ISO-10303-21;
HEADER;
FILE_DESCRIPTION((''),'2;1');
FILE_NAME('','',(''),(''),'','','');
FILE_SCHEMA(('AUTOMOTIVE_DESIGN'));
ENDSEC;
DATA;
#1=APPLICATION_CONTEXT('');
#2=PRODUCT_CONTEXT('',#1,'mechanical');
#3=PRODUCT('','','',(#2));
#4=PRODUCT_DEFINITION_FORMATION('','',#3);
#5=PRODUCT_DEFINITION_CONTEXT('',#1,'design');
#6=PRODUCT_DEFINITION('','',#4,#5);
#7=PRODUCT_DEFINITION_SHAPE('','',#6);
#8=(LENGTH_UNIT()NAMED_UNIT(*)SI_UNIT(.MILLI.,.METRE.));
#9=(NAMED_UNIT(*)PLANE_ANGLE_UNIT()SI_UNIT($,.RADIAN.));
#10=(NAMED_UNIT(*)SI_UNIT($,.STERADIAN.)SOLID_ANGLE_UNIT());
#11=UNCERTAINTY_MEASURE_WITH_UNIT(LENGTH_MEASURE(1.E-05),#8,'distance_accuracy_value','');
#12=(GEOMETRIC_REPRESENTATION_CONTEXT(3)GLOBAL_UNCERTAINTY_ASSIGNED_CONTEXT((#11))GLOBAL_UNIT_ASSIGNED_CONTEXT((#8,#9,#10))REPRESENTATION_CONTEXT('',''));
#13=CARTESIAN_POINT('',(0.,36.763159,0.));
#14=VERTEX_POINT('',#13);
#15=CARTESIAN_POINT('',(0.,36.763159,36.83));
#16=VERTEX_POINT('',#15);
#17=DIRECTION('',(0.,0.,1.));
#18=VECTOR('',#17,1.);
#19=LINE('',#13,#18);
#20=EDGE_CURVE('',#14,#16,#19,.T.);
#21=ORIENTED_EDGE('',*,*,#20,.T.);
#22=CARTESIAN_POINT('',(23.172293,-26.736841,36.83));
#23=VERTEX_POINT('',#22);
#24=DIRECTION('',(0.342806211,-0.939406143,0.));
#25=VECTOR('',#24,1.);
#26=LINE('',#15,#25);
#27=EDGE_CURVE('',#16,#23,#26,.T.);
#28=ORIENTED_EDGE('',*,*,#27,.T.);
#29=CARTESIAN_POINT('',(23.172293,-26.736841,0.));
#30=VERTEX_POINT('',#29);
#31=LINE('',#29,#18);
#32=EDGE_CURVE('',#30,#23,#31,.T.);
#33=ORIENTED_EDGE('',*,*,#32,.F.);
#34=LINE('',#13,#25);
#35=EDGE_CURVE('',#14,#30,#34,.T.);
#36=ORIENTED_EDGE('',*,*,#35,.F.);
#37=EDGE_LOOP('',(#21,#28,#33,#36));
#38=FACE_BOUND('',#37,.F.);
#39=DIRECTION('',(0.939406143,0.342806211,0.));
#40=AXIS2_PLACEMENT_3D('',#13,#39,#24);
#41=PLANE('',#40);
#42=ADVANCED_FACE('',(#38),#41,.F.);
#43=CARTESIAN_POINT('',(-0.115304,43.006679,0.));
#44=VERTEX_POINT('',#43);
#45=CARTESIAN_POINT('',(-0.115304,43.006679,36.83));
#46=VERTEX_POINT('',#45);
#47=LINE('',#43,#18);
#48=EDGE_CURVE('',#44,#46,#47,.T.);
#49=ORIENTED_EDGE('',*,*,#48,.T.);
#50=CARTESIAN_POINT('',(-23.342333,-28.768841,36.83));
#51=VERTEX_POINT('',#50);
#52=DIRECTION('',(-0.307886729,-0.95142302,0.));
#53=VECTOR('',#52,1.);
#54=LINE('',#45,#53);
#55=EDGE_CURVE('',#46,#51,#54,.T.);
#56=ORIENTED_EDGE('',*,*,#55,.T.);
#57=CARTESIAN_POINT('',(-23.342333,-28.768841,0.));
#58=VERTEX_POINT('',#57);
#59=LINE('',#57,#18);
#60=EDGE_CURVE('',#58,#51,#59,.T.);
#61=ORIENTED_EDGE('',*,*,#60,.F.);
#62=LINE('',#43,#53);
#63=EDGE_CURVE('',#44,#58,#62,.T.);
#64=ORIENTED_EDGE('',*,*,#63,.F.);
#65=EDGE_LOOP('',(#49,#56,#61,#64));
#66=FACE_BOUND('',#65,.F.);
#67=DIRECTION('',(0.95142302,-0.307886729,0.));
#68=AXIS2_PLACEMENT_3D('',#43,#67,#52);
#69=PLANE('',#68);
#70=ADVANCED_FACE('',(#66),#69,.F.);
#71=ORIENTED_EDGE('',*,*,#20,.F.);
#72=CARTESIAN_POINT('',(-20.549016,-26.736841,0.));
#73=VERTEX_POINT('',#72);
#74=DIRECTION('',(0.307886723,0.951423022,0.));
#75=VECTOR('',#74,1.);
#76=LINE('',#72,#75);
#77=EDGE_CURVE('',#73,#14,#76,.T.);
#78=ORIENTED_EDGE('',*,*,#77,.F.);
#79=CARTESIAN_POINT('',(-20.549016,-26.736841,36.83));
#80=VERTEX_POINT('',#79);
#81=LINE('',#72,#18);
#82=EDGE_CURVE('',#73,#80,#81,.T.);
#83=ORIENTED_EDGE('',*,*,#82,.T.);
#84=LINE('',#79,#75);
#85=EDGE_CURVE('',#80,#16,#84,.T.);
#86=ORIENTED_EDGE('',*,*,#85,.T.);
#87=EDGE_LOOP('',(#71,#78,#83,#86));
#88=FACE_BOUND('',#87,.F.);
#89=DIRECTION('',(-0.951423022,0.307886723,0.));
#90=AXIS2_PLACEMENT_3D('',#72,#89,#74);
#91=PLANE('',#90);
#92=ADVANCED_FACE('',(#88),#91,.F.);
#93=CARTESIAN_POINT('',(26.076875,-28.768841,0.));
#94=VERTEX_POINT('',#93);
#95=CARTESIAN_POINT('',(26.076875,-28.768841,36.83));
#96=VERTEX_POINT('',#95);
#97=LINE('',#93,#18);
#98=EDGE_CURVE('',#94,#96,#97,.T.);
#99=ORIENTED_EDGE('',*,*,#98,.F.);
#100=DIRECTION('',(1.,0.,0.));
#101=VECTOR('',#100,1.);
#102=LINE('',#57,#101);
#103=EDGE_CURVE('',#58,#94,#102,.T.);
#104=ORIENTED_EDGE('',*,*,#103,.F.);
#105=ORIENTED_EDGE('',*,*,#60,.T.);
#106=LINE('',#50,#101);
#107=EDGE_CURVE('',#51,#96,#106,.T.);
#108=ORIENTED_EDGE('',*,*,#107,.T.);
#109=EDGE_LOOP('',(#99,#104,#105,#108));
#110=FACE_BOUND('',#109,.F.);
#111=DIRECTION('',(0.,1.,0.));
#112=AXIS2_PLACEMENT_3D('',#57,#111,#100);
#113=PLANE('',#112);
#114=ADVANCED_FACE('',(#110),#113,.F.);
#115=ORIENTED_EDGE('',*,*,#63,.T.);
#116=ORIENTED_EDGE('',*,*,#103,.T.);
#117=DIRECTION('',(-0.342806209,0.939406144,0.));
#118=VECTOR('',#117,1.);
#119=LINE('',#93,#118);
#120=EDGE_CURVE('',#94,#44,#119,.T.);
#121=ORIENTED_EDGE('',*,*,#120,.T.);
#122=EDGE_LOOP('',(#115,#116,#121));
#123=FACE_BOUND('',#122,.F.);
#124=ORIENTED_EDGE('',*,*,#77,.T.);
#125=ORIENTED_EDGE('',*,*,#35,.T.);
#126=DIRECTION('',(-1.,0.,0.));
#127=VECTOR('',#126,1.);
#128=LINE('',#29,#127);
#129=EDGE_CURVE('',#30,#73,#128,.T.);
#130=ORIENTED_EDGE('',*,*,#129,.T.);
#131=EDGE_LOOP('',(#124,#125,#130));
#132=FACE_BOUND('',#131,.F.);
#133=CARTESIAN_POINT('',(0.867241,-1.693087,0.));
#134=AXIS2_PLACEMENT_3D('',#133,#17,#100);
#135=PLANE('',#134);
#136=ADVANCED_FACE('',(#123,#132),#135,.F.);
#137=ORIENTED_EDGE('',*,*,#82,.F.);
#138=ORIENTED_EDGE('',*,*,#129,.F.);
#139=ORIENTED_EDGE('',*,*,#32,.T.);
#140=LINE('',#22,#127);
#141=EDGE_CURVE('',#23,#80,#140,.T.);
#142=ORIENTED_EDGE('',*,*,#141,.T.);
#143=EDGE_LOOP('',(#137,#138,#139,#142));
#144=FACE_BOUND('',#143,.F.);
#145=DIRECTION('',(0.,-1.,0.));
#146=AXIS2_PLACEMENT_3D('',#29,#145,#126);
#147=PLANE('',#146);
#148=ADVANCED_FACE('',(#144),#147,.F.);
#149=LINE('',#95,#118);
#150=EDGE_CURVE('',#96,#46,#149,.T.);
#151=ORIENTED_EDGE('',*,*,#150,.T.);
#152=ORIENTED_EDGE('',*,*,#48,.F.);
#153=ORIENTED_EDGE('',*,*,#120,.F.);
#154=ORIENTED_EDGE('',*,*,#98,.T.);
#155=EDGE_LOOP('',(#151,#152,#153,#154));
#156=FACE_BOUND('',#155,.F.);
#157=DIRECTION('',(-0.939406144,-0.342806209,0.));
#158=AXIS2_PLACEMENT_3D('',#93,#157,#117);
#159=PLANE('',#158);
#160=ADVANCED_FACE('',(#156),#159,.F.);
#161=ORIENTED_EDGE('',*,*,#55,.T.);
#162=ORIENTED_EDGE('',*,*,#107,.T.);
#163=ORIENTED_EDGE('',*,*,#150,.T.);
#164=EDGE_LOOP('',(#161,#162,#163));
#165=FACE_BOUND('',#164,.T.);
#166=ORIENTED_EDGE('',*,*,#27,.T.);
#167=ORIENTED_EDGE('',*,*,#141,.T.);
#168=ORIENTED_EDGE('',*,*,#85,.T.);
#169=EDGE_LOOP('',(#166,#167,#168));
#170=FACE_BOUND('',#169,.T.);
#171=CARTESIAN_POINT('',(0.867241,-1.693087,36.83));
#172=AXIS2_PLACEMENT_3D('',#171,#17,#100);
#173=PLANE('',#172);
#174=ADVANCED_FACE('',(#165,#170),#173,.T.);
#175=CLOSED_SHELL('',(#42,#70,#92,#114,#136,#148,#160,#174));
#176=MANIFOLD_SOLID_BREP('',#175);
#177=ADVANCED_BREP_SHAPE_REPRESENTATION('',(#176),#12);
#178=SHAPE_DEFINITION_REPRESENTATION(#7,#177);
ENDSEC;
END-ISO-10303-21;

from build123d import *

# Parameters (mm, degrees)
F1_DEPTH = 36.83


with BuildPart() as f1:
    # F0 (on Top) → F1 (new body)
    with BuildSketch(Plane.XY):
        Polygon((26.076875, -28.768841), (-0.115304, 43.006679), (-23.342333, -28.768841), align=None)
        Polygon((-20.549016, -26.736841), (0, 36.763159), (23.172293, -26.736841), (0, -26.736841), align=None, mode=Mode.SUBTRACT)
    extrude(amount=F1_DEPTH)


solid = f1.part
